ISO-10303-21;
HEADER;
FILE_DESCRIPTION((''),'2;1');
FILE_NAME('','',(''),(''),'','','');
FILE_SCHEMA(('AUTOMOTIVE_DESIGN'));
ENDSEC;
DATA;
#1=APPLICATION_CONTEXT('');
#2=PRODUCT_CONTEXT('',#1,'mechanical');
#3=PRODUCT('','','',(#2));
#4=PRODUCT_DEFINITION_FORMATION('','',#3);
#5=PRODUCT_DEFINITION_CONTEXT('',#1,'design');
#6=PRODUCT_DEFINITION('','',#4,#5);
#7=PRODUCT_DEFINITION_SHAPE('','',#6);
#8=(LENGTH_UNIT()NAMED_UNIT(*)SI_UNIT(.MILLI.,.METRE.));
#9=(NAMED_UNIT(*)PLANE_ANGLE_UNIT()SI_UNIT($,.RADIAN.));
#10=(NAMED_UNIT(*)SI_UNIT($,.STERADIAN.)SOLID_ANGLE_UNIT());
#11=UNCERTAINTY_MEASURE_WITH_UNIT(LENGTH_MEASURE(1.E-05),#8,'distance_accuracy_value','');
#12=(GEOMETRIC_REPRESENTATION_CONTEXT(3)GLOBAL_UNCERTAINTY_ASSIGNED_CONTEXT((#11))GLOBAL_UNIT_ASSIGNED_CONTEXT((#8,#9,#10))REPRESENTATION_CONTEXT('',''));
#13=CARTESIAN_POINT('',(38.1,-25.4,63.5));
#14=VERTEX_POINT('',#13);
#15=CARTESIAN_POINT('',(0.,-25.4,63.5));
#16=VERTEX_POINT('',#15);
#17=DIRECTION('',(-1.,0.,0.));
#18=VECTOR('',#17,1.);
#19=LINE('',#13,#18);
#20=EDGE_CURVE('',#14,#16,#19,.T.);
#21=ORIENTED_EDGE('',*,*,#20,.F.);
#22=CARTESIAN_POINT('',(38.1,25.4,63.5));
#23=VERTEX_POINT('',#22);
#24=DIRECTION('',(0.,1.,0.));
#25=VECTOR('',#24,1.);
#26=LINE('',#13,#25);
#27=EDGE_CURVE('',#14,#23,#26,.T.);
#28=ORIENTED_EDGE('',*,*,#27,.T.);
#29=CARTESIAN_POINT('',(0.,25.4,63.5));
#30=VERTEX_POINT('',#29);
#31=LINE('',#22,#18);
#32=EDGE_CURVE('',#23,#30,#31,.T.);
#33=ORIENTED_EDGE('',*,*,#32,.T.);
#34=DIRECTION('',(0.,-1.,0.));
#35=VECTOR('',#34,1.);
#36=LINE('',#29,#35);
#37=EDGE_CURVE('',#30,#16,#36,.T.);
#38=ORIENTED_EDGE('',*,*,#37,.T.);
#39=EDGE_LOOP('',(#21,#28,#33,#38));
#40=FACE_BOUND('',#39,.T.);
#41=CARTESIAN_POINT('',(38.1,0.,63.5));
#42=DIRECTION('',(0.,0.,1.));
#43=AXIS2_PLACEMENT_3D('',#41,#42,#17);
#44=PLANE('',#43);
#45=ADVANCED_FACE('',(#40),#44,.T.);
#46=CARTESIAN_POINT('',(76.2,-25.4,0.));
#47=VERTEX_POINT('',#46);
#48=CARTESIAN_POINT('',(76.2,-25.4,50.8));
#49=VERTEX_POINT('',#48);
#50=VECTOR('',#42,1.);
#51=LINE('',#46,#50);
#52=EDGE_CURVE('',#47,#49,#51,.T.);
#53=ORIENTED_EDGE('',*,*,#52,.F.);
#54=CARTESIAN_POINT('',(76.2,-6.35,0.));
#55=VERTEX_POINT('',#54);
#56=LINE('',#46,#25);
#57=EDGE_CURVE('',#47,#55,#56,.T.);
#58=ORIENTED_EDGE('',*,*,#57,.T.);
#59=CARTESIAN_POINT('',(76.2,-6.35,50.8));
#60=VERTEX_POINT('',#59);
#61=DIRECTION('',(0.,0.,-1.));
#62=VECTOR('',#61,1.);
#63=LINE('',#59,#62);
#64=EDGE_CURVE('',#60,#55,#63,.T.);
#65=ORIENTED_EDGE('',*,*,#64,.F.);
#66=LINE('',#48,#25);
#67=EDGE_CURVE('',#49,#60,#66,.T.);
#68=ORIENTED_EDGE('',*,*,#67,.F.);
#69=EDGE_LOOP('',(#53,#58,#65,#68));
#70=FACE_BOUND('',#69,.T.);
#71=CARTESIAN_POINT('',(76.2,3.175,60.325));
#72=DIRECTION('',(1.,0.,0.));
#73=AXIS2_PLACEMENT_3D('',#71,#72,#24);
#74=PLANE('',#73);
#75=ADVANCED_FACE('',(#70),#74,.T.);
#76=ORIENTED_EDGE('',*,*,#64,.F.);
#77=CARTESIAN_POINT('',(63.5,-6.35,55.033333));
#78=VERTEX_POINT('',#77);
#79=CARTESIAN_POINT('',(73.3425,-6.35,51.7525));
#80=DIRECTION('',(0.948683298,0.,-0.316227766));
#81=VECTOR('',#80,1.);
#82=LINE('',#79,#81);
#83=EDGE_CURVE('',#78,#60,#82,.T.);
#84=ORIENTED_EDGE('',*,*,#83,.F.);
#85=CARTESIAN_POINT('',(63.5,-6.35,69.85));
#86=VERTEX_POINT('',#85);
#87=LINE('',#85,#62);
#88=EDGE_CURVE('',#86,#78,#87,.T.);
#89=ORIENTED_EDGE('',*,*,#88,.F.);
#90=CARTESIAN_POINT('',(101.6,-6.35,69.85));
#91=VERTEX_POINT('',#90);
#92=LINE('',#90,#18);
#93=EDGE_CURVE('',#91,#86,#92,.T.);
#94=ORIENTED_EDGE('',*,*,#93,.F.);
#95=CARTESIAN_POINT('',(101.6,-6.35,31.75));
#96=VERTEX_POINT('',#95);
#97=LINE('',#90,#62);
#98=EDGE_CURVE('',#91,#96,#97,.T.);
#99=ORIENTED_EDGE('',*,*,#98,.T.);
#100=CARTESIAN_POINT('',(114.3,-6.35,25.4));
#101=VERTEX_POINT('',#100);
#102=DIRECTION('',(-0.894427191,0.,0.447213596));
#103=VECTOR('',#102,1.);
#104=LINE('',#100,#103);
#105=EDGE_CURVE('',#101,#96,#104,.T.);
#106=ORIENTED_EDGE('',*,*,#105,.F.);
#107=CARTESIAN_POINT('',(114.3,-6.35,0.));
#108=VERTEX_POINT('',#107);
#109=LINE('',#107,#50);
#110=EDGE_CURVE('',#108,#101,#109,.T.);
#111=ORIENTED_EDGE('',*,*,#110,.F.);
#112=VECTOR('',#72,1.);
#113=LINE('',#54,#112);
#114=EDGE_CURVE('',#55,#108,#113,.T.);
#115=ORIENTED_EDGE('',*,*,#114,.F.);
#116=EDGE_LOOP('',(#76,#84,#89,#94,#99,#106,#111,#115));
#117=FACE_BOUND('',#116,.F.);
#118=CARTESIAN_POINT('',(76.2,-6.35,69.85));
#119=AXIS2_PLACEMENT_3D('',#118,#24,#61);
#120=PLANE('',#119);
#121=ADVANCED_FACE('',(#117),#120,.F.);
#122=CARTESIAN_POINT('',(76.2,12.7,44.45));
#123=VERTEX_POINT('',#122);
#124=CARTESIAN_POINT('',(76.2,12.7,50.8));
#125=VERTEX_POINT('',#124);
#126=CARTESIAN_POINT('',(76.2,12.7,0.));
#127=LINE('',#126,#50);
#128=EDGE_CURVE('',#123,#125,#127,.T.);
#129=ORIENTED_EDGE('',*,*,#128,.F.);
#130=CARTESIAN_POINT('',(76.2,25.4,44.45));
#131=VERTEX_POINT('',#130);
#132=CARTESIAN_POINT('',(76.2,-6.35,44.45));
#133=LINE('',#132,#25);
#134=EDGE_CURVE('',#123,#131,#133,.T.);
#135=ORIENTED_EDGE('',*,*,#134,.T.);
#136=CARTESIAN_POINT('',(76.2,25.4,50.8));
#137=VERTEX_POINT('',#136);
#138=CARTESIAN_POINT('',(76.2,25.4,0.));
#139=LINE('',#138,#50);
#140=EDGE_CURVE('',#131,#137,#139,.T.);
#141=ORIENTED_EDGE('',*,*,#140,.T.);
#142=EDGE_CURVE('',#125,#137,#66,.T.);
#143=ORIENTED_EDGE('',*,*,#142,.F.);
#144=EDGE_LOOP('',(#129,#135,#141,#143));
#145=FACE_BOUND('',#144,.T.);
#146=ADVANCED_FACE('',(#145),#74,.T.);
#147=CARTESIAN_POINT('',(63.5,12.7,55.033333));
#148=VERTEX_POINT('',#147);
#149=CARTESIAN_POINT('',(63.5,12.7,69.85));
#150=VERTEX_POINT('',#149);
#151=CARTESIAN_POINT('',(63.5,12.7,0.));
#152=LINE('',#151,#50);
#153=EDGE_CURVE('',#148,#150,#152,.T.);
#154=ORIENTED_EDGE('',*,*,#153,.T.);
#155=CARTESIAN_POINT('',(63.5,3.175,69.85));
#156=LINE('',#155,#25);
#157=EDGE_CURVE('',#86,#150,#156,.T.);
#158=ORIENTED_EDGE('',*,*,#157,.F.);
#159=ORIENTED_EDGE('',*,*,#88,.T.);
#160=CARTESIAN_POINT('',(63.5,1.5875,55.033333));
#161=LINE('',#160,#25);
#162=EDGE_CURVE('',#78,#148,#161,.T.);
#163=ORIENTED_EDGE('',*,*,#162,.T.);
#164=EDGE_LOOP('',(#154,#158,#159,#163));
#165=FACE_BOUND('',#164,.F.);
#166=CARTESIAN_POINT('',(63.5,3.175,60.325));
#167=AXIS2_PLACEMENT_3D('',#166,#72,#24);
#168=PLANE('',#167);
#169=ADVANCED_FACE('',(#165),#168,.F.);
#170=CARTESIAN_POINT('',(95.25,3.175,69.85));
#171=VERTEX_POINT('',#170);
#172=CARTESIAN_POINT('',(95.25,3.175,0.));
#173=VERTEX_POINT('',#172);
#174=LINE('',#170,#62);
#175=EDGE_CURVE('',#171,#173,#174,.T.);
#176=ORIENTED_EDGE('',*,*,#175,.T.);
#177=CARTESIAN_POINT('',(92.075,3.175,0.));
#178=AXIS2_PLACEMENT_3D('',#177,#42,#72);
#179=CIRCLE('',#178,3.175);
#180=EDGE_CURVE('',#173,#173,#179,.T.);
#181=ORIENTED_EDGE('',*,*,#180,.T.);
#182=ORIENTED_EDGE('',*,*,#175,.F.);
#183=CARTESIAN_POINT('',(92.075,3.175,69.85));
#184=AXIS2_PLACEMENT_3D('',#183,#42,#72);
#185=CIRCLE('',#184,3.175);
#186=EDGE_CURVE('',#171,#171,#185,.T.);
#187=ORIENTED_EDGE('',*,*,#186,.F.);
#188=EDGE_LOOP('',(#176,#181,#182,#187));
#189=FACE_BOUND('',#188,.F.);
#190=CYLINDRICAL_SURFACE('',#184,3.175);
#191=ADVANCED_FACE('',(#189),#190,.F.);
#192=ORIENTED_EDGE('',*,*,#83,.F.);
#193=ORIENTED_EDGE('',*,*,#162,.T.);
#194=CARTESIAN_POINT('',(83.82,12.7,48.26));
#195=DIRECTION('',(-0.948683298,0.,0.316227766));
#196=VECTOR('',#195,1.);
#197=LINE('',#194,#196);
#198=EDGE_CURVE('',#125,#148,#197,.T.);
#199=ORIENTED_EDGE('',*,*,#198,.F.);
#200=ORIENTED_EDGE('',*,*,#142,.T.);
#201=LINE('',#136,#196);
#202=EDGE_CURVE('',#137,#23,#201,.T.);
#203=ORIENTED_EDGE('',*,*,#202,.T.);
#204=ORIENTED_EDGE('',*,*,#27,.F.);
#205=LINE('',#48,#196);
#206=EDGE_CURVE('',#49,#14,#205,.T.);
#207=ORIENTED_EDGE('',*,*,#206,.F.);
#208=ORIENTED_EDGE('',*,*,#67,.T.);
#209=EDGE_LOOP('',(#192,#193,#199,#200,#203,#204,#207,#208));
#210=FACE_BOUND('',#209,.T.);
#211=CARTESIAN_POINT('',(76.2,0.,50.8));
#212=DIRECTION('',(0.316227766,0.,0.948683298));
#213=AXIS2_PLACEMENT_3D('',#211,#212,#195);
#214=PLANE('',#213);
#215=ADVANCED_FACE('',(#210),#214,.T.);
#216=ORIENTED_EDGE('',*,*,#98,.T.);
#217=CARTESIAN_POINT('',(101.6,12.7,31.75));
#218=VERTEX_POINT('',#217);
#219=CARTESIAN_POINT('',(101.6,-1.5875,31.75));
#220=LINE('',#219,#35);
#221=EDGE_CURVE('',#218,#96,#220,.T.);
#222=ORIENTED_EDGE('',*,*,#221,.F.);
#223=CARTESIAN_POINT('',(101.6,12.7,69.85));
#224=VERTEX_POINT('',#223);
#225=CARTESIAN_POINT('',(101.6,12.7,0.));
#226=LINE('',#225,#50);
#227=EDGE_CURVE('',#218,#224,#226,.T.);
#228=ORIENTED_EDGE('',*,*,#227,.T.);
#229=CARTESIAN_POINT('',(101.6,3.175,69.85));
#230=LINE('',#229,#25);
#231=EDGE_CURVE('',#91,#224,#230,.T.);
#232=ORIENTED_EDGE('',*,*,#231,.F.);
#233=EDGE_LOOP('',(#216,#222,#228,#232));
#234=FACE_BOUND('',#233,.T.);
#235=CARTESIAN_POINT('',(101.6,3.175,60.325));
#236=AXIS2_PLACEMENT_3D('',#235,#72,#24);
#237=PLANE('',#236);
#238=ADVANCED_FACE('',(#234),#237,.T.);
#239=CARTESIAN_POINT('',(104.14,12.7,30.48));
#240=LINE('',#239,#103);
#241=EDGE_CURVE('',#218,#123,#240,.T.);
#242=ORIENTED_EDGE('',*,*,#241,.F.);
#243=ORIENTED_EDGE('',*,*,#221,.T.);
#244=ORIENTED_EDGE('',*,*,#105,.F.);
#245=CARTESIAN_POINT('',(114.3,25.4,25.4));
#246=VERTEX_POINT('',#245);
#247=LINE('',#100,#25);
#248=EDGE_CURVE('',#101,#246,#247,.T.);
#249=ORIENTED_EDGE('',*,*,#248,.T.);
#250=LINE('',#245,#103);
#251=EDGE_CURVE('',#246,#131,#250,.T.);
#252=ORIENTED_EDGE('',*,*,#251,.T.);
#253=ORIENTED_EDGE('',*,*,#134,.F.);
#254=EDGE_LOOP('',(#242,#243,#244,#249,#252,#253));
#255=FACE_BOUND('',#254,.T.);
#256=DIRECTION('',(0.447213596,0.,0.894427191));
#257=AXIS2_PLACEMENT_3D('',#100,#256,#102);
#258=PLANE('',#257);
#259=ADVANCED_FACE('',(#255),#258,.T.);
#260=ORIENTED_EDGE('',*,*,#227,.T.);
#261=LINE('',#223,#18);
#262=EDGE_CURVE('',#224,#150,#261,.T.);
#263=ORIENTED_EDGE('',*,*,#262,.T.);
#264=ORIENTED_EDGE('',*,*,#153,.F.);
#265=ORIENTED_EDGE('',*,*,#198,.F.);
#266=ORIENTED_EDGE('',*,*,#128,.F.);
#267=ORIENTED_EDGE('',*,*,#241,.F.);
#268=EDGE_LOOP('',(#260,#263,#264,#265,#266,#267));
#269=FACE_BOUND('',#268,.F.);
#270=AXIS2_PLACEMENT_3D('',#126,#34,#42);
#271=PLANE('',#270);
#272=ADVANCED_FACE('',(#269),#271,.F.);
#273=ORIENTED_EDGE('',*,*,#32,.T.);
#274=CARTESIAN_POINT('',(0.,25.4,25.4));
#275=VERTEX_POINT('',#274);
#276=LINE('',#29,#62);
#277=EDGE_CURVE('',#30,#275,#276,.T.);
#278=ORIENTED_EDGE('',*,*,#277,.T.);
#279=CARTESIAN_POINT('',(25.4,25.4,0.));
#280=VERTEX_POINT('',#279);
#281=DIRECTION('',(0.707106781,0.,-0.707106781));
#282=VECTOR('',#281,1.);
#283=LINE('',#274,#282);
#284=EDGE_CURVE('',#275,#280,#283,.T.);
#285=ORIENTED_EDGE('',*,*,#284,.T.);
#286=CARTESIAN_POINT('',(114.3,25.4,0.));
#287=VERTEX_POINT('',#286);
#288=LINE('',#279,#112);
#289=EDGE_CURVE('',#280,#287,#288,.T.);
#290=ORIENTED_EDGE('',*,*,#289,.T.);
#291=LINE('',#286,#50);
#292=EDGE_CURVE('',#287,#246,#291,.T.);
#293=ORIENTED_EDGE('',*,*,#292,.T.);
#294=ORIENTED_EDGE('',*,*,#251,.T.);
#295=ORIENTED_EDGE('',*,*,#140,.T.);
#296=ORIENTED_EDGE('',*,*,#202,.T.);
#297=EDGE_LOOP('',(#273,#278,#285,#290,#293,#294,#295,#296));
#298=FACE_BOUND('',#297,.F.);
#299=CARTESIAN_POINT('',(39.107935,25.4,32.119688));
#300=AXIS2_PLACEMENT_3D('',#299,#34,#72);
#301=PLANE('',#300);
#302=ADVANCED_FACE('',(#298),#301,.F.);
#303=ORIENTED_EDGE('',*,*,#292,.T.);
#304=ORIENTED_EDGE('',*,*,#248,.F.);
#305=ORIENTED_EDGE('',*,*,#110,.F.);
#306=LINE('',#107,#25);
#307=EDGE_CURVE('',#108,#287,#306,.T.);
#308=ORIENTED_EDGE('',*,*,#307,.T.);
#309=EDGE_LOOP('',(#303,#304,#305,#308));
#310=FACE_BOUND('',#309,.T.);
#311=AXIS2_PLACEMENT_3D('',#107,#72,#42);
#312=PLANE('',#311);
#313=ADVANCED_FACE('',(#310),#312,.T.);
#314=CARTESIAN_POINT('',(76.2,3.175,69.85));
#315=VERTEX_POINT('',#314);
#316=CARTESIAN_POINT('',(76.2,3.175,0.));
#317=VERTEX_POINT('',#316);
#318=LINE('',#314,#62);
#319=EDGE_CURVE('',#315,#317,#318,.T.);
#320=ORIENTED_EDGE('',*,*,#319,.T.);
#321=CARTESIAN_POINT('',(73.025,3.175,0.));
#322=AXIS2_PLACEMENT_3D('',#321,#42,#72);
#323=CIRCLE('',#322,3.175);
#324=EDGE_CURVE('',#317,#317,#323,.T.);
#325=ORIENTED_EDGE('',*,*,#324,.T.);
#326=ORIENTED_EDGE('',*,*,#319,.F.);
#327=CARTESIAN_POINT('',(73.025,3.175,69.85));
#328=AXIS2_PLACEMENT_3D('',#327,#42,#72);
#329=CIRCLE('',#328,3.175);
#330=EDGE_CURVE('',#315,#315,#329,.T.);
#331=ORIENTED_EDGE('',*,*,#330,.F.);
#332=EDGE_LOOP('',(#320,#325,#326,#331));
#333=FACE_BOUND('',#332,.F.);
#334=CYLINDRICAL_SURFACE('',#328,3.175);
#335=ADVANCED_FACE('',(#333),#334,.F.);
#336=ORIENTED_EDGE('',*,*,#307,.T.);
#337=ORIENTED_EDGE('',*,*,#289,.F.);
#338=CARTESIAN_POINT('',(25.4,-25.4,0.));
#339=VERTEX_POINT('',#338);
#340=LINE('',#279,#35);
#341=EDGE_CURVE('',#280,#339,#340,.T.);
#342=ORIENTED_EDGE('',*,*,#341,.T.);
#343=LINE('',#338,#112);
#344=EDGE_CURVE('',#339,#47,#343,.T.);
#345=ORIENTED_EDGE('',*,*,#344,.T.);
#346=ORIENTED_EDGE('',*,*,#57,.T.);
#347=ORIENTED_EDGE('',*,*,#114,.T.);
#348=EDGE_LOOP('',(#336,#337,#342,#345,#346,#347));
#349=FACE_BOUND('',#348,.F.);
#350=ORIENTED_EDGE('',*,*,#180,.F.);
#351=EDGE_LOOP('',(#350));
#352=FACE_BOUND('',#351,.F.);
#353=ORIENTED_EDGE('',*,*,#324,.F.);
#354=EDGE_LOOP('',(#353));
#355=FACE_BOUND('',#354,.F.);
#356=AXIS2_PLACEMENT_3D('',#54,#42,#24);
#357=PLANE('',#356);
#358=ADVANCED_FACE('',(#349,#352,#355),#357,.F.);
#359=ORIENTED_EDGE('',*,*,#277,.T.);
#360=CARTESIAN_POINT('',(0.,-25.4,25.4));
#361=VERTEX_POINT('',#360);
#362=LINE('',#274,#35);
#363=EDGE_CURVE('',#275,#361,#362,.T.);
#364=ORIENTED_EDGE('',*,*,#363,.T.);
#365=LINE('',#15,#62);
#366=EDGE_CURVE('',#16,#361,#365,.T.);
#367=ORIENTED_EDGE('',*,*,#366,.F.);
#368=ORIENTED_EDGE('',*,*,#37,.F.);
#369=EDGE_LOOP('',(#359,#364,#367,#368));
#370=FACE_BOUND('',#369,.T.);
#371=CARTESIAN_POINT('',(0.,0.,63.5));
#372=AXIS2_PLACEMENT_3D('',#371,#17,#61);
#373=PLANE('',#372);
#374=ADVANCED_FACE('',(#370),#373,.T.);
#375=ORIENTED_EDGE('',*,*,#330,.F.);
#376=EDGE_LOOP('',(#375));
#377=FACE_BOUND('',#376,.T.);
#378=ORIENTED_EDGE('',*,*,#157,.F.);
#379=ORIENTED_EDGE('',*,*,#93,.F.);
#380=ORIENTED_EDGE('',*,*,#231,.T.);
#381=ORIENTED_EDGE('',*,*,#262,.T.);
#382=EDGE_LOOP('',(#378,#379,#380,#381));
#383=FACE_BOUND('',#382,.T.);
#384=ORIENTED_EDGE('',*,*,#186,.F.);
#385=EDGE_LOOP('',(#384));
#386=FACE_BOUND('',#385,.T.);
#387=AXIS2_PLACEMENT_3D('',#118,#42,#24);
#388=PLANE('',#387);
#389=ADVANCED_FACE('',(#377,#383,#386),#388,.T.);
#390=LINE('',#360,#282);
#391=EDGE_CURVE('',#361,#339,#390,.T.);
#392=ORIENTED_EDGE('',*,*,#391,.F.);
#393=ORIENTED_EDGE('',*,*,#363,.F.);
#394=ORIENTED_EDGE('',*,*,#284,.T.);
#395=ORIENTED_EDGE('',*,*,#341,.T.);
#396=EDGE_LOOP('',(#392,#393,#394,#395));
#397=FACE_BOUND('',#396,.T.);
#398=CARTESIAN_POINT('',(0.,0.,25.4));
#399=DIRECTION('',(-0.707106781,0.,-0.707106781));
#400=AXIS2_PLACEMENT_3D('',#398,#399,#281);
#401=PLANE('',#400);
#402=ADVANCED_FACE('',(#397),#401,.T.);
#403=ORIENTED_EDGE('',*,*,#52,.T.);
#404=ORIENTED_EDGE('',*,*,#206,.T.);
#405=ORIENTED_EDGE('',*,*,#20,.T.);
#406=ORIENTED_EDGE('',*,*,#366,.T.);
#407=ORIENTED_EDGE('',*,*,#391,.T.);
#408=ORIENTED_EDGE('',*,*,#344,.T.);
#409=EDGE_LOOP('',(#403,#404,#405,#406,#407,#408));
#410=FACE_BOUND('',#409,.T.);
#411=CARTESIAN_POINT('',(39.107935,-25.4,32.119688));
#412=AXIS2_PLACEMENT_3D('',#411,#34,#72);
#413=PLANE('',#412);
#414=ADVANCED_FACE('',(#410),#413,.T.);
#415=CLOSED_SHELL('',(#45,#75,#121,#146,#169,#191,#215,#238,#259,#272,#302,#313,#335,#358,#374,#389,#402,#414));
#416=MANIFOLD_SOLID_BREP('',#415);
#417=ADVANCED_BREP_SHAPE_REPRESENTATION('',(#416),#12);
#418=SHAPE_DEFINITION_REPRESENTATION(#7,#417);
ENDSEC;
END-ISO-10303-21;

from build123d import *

# Parameters (mm, degrees)
F1_DEPTH      = 25.4
F2_W          = 19.05
F2_H          = 19.05
F2_H_2        = 50.8
F3_DEPTH      = 12.7
F3_DEPTH_BACK = 25.4
F5_DEPTH      = 31.75
F6_R          = 3.175
F7_DEPTH      = 69.85


with BuildPart() as f1:
    # F0 (on Front) → F1 (new body, symmetric)
    with BuildSketch(Plane.XZ):
        Polygon((38.1, 63.5), (0, 63.5), (0, 25.4), (25.4, 0), (76.2, 0), (76.2, 50.8), align=None)
    extrude(amount=F1_DEPTH, both=True)

    # F2 (on face) → F3 (join, two sides)
    with BuildSketch(Plane.YZ.offset(76.2)) as f3_sk:
        with Locations((3.175, 60.325)):
            Rectangle(F2_W, F2_H)
        with Locations((3.175, 25.4)):
            Rectangle(F2_W, F2_H_2)
    extrude(amount=-F3_DEPTH)
    extrude(f3_sk.sketch, amount=F3_DEPTH_BACK)

    # F4 (on face) → F5 (join, through all)
    with BuildSketch(Plane.XZ.offset(6.35)):
        Polygon((101.6, 0), (101.6, 31.75), (76.2, 44.45), (76.2, 0), align=None)
        Polygon((114.3, 0), (114.3, 25.4), (101.6, 31.75), (101.6, 0), align=None)
    extrude(amount=-F5_DEPTH)

    # F6 (on face) → F7 (cut, through all)
    with BuildSketch(Plane.XY.offset(69.85)):
        with Locations((92.075, 3.175)):
            Circle(F6_R)
        with Locations((73.025, 3.175)):
            Circle(F6_R)
    extrude(amount=-F7_DEPTH, mode=Mode.SUBTRACT)


solid = f1.part
